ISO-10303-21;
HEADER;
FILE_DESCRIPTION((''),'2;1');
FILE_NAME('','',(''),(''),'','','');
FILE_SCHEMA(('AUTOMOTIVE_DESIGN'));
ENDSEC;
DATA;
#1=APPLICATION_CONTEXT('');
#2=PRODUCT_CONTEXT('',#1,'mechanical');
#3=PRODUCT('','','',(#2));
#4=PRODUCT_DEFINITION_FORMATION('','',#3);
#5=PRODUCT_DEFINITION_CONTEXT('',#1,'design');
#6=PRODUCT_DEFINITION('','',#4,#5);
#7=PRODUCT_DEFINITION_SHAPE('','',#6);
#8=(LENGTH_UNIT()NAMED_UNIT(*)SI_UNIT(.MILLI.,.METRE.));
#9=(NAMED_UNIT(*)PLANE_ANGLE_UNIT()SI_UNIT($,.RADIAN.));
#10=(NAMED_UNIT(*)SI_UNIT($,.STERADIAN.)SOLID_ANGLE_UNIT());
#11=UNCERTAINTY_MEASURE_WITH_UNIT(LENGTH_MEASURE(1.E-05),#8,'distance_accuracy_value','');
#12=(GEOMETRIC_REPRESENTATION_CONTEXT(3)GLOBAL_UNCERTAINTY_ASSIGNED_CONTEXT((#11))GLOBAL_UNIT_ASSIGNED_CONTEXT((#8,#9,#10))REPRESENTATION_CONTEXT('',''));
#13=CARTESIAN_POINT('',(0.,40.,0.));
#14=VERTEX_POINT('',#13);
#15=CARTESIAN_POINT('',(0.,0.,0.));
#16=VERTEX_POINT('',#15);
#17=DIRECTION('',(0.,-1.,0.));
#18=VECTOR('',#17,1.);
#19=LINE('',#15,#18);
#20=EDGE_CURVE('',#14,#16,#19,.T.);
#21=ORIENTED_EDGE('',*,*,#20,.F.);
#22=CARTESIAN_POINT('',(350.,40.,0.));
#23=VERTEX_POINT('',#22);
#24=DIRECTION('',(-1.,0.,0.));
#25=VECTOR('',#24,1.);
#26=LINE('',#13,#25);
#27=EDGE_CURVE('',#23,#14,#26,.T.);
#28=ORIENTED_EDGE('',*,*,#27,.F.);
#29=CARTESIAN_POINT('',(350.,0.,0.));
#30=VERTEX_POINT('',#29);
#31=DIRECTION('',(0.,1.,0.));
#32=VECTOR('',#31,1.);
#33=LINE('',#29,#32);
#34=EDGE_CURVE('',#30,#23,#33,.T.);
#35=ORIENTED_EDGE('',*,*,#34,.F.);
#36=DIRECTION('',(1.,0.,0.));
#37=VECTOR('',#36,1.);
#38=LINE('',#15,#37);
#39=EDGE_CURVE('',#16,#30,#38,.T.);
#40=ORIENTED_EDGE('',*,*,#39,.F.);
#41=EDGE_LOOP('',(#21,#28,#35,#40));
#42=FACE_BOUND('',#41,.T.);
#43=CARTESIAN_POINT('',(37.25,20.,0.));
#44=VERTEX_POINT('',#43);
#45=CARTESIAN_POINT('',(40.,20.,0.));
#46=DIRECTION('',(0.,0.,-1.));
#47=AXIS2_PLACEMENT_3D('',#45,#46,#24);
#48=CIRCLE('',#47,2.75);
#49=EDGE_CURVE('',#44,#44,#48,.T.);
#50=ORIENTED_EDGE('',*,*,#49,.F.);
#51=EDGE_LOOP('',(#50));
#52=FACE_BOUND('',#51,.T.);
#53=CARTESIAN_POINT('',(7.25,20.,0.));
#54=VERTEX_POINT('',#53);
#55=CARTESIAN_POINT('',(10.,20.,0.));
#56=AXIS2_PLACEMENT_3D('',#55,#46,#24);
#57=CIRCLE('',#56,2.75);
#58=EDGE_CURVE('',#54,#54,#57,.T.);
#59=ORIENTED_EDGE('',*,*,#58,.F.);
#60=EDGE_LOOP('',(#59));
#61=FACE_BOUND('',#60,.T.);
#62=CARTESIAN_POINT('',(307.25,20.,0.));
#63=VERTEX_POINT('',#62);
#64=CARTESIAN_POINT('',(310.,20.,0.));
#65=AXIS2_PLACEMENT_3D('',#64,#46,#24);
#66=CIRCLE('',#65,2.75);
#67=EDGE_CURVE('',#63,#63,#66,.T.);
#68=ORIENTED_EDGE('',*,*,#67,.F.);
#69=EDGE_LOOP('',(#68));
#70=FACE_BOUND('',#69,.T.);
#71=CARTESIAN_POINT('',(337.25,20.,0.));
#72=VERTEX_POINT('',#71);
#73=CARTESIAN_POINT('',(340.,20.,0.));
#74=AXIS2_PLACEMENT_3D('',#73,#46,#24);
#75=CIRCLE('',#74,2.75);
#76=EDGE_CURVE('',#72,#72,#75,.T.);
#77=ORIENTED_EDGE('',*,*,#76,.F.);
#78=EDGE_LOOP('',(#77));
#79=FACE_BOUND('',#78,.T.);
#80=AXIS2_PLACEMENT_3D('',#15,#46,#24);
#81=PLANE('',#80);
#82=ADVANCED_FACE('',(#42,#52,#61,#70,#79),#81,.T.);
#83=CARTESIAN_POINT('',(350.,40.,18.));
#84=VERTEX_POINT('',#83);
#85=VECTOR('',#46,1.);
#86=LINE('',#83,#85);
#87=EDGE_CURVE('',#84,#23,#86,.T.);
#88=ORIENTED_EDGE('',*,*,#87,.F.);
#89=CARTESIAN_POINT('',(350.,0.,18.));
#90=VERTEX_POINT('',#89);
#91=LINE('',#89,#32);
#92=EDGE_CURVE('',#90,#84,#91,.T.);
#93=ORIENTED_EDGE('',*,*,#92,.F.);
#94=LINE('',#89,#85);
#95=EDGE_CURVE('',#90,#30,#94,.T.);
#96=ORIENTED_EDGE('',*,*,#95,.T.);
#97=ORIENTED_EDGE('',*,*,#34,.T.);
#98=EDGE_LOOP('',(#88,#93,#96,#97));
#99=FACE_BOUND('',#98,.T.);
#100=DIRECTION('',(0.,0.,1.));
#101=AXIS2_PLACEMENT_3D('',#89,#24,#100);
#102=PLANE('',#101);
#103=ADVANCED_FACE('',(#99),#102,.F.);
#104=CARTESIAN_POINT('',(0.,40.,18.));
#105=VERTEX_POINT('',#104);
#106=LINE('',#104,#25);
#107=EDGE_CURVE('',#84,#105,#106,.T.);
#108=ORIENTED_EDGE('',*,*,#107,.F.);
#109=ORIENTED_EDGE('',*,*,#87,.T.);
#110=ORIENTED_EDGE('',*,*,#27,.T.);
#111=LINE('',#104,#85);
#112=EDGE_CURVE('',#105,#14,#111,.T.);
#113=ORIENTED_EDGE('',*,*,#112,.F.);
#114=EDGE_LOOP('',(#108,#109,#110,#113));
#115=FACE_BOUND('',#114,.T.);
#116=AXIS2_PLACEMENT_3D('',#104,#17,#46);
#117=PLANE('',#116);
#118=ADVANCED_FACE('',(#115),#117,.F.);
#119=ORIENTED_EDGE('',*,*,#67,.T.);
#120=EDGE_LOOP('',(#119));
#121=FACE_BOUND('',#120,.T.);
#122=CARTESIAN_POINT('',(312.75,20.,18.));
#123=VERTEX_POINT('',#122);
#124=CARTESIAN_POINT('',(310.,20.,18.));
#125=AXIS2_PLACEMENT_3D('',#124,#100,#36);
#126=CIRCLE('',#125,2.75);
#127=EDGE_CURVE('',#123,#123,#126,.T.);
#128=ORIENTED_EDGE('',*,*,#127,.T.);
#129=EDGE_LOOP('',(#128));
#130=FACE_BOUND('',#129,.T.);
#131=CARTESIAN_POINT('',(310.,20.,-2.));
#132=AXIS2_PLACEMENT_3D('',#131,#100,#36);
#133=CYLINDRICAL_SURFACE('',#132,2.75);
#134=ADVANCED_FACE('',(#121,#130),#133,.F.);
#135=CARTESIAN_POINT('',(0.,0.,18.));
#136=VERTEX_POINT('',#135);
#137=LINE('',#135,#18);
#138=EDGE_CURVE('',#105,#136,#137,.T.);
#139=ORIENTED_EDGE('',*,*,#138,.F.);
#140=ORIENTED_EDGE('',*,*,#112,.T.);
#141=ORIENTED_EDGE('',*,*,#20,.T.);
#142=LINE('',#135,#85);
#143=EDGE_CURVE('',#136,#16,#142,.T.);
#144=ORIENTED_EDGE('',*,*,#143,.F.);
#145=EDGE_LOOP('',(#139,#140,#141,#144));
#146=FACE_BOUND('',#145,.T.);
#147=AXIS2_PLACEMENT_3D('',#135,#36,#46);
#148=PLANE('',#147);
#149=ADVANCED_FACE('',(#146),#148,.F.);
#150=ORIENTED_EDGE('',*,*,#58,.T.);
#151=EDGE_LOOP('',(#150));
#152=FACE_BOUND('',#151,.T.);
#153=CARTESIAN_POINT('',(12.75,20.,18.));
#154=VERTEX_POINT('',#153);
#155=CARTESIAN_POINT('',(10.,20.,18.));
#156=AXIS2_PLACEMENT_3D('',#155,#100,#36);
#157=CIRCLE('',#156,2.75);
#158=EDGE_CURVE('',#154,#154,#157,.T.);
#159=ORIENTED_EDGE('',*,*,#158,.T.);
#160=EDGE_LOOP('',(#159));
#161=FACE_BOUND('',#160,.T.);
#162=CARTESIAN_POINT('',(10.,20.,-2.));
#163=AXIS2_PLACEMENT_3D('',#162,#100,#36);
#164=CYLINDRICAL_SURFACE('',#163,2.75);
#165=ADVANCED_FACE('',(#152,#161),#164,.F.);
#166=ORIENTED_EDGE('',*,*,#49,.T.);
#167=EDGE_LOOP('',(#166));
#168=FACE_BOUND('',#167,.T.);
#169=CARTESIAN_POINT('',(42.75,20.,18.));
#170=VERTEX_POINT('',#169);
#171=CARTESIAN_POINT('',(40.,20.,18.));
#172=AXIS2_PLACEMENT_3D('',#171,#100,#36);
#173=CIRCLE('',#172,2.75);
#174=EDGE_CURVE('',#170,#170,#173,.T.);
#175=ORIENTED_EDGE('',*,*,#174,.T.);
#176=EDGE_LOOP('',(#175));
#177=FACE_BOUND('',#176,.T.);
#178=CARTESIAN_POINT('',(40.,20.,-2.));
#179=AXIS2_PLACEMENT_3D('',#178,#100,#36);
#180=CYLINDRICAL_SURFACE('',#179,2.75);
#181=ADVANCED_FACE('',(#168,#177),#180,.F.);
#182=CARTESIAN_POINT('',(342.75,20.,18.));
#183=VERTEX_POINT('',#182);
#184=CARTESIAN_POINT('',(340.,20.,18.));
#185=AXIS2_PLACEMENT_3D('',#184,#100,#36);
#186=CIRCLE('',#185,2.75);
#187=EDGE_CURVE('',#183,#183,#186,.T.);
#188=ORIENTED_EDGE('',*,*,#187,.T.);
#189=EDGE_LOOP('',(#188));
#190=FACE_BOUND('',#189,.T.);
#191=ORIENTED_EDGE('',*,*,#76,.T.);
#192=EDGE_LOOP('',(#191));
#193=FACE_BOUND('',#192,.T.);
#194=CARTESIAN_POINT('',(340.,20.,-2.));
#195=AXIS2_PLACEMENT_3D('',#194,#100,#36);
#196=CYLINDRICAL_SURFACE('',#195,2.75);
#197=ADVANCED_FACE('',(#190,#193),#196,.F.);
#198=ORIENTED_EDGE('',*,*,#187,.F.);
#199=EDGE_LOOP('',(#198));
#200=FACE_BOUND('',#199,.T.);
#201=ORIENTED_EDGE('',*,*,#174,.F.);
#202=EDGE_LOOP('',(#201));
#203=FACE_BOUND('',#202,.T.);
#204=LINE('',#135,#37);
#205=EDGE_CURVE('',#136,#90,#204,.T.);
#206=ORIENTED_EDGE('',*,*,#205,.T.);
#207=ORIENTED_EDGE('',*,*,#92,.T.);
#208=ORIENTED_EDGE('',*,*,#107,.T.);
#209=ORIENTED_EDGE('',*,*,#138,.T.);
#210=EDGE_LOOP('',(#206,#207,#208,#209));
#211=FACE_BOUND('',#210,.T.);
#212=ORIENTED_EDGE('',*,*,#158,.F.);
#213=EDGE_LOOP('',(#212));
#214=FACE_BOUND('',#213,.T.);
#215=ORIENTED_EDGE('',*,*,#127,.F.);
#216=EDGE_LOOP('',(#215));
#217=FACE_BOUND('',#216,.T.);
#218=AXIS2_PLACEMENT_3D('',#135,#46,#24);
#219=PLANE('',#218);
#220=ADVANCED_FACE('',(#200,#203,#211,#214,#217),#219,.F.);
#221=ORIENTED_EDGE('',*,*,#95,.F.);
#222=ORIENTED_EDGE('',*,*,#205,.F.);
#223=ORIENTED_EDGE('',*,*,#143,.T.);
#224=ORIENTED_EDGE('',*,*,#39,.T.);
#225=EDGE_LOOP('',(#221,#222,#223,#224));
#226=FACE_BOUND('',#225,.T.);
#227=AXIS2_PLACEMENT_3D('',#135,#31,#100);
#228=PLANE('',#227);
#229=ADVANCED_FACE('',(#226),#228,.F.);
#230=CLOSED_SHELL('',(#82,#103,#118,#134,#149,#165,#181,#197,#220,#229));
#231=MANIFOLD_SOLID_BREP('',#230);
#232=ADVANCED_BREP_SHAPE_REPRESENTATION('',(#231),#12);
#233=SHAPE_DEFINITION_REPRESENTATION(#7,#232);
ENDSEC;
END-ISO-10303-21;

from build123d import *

# Parameters (mm, degrees)
SKETCH1_W           = 350
SKETCH1_H           = 40
BOSS_EXTRUDE1_DEPTH = 18
SKETCH2_R           = 2.75
CUT_EXTRUDE1_DEPTH  = 20


with BuildPart() as part:
    # Sketch1 → Boss-Extrude1 (new body)
    with BuildSketch(Plane.XY):
        with Locations((175, 20)):
            Rectangle(SKETCH1_W, SKETCH1_H)
    extrude(amount=BOSS_EXTRUDE1_DEPTH)

    # Sketch2 → Cut-Extrude1 (cut)
    with BuildSketch(Plane.XY.offset(18)):
        with Locations((10, 20)):
            Circle(SKETCH2_R)
        with Locations((40, 20)):
            Circle(SKETCH2_R)
        with Locations((310, 20)):
            Circle(SKETCH2_R)
        with Locations((340, 20)):
            Circle(SKETCH2_R)
    extrude(amount=-CUT_EXTRUDE1_DEPTH, mode=Mode.SUBTRACT)


solid = part.part
